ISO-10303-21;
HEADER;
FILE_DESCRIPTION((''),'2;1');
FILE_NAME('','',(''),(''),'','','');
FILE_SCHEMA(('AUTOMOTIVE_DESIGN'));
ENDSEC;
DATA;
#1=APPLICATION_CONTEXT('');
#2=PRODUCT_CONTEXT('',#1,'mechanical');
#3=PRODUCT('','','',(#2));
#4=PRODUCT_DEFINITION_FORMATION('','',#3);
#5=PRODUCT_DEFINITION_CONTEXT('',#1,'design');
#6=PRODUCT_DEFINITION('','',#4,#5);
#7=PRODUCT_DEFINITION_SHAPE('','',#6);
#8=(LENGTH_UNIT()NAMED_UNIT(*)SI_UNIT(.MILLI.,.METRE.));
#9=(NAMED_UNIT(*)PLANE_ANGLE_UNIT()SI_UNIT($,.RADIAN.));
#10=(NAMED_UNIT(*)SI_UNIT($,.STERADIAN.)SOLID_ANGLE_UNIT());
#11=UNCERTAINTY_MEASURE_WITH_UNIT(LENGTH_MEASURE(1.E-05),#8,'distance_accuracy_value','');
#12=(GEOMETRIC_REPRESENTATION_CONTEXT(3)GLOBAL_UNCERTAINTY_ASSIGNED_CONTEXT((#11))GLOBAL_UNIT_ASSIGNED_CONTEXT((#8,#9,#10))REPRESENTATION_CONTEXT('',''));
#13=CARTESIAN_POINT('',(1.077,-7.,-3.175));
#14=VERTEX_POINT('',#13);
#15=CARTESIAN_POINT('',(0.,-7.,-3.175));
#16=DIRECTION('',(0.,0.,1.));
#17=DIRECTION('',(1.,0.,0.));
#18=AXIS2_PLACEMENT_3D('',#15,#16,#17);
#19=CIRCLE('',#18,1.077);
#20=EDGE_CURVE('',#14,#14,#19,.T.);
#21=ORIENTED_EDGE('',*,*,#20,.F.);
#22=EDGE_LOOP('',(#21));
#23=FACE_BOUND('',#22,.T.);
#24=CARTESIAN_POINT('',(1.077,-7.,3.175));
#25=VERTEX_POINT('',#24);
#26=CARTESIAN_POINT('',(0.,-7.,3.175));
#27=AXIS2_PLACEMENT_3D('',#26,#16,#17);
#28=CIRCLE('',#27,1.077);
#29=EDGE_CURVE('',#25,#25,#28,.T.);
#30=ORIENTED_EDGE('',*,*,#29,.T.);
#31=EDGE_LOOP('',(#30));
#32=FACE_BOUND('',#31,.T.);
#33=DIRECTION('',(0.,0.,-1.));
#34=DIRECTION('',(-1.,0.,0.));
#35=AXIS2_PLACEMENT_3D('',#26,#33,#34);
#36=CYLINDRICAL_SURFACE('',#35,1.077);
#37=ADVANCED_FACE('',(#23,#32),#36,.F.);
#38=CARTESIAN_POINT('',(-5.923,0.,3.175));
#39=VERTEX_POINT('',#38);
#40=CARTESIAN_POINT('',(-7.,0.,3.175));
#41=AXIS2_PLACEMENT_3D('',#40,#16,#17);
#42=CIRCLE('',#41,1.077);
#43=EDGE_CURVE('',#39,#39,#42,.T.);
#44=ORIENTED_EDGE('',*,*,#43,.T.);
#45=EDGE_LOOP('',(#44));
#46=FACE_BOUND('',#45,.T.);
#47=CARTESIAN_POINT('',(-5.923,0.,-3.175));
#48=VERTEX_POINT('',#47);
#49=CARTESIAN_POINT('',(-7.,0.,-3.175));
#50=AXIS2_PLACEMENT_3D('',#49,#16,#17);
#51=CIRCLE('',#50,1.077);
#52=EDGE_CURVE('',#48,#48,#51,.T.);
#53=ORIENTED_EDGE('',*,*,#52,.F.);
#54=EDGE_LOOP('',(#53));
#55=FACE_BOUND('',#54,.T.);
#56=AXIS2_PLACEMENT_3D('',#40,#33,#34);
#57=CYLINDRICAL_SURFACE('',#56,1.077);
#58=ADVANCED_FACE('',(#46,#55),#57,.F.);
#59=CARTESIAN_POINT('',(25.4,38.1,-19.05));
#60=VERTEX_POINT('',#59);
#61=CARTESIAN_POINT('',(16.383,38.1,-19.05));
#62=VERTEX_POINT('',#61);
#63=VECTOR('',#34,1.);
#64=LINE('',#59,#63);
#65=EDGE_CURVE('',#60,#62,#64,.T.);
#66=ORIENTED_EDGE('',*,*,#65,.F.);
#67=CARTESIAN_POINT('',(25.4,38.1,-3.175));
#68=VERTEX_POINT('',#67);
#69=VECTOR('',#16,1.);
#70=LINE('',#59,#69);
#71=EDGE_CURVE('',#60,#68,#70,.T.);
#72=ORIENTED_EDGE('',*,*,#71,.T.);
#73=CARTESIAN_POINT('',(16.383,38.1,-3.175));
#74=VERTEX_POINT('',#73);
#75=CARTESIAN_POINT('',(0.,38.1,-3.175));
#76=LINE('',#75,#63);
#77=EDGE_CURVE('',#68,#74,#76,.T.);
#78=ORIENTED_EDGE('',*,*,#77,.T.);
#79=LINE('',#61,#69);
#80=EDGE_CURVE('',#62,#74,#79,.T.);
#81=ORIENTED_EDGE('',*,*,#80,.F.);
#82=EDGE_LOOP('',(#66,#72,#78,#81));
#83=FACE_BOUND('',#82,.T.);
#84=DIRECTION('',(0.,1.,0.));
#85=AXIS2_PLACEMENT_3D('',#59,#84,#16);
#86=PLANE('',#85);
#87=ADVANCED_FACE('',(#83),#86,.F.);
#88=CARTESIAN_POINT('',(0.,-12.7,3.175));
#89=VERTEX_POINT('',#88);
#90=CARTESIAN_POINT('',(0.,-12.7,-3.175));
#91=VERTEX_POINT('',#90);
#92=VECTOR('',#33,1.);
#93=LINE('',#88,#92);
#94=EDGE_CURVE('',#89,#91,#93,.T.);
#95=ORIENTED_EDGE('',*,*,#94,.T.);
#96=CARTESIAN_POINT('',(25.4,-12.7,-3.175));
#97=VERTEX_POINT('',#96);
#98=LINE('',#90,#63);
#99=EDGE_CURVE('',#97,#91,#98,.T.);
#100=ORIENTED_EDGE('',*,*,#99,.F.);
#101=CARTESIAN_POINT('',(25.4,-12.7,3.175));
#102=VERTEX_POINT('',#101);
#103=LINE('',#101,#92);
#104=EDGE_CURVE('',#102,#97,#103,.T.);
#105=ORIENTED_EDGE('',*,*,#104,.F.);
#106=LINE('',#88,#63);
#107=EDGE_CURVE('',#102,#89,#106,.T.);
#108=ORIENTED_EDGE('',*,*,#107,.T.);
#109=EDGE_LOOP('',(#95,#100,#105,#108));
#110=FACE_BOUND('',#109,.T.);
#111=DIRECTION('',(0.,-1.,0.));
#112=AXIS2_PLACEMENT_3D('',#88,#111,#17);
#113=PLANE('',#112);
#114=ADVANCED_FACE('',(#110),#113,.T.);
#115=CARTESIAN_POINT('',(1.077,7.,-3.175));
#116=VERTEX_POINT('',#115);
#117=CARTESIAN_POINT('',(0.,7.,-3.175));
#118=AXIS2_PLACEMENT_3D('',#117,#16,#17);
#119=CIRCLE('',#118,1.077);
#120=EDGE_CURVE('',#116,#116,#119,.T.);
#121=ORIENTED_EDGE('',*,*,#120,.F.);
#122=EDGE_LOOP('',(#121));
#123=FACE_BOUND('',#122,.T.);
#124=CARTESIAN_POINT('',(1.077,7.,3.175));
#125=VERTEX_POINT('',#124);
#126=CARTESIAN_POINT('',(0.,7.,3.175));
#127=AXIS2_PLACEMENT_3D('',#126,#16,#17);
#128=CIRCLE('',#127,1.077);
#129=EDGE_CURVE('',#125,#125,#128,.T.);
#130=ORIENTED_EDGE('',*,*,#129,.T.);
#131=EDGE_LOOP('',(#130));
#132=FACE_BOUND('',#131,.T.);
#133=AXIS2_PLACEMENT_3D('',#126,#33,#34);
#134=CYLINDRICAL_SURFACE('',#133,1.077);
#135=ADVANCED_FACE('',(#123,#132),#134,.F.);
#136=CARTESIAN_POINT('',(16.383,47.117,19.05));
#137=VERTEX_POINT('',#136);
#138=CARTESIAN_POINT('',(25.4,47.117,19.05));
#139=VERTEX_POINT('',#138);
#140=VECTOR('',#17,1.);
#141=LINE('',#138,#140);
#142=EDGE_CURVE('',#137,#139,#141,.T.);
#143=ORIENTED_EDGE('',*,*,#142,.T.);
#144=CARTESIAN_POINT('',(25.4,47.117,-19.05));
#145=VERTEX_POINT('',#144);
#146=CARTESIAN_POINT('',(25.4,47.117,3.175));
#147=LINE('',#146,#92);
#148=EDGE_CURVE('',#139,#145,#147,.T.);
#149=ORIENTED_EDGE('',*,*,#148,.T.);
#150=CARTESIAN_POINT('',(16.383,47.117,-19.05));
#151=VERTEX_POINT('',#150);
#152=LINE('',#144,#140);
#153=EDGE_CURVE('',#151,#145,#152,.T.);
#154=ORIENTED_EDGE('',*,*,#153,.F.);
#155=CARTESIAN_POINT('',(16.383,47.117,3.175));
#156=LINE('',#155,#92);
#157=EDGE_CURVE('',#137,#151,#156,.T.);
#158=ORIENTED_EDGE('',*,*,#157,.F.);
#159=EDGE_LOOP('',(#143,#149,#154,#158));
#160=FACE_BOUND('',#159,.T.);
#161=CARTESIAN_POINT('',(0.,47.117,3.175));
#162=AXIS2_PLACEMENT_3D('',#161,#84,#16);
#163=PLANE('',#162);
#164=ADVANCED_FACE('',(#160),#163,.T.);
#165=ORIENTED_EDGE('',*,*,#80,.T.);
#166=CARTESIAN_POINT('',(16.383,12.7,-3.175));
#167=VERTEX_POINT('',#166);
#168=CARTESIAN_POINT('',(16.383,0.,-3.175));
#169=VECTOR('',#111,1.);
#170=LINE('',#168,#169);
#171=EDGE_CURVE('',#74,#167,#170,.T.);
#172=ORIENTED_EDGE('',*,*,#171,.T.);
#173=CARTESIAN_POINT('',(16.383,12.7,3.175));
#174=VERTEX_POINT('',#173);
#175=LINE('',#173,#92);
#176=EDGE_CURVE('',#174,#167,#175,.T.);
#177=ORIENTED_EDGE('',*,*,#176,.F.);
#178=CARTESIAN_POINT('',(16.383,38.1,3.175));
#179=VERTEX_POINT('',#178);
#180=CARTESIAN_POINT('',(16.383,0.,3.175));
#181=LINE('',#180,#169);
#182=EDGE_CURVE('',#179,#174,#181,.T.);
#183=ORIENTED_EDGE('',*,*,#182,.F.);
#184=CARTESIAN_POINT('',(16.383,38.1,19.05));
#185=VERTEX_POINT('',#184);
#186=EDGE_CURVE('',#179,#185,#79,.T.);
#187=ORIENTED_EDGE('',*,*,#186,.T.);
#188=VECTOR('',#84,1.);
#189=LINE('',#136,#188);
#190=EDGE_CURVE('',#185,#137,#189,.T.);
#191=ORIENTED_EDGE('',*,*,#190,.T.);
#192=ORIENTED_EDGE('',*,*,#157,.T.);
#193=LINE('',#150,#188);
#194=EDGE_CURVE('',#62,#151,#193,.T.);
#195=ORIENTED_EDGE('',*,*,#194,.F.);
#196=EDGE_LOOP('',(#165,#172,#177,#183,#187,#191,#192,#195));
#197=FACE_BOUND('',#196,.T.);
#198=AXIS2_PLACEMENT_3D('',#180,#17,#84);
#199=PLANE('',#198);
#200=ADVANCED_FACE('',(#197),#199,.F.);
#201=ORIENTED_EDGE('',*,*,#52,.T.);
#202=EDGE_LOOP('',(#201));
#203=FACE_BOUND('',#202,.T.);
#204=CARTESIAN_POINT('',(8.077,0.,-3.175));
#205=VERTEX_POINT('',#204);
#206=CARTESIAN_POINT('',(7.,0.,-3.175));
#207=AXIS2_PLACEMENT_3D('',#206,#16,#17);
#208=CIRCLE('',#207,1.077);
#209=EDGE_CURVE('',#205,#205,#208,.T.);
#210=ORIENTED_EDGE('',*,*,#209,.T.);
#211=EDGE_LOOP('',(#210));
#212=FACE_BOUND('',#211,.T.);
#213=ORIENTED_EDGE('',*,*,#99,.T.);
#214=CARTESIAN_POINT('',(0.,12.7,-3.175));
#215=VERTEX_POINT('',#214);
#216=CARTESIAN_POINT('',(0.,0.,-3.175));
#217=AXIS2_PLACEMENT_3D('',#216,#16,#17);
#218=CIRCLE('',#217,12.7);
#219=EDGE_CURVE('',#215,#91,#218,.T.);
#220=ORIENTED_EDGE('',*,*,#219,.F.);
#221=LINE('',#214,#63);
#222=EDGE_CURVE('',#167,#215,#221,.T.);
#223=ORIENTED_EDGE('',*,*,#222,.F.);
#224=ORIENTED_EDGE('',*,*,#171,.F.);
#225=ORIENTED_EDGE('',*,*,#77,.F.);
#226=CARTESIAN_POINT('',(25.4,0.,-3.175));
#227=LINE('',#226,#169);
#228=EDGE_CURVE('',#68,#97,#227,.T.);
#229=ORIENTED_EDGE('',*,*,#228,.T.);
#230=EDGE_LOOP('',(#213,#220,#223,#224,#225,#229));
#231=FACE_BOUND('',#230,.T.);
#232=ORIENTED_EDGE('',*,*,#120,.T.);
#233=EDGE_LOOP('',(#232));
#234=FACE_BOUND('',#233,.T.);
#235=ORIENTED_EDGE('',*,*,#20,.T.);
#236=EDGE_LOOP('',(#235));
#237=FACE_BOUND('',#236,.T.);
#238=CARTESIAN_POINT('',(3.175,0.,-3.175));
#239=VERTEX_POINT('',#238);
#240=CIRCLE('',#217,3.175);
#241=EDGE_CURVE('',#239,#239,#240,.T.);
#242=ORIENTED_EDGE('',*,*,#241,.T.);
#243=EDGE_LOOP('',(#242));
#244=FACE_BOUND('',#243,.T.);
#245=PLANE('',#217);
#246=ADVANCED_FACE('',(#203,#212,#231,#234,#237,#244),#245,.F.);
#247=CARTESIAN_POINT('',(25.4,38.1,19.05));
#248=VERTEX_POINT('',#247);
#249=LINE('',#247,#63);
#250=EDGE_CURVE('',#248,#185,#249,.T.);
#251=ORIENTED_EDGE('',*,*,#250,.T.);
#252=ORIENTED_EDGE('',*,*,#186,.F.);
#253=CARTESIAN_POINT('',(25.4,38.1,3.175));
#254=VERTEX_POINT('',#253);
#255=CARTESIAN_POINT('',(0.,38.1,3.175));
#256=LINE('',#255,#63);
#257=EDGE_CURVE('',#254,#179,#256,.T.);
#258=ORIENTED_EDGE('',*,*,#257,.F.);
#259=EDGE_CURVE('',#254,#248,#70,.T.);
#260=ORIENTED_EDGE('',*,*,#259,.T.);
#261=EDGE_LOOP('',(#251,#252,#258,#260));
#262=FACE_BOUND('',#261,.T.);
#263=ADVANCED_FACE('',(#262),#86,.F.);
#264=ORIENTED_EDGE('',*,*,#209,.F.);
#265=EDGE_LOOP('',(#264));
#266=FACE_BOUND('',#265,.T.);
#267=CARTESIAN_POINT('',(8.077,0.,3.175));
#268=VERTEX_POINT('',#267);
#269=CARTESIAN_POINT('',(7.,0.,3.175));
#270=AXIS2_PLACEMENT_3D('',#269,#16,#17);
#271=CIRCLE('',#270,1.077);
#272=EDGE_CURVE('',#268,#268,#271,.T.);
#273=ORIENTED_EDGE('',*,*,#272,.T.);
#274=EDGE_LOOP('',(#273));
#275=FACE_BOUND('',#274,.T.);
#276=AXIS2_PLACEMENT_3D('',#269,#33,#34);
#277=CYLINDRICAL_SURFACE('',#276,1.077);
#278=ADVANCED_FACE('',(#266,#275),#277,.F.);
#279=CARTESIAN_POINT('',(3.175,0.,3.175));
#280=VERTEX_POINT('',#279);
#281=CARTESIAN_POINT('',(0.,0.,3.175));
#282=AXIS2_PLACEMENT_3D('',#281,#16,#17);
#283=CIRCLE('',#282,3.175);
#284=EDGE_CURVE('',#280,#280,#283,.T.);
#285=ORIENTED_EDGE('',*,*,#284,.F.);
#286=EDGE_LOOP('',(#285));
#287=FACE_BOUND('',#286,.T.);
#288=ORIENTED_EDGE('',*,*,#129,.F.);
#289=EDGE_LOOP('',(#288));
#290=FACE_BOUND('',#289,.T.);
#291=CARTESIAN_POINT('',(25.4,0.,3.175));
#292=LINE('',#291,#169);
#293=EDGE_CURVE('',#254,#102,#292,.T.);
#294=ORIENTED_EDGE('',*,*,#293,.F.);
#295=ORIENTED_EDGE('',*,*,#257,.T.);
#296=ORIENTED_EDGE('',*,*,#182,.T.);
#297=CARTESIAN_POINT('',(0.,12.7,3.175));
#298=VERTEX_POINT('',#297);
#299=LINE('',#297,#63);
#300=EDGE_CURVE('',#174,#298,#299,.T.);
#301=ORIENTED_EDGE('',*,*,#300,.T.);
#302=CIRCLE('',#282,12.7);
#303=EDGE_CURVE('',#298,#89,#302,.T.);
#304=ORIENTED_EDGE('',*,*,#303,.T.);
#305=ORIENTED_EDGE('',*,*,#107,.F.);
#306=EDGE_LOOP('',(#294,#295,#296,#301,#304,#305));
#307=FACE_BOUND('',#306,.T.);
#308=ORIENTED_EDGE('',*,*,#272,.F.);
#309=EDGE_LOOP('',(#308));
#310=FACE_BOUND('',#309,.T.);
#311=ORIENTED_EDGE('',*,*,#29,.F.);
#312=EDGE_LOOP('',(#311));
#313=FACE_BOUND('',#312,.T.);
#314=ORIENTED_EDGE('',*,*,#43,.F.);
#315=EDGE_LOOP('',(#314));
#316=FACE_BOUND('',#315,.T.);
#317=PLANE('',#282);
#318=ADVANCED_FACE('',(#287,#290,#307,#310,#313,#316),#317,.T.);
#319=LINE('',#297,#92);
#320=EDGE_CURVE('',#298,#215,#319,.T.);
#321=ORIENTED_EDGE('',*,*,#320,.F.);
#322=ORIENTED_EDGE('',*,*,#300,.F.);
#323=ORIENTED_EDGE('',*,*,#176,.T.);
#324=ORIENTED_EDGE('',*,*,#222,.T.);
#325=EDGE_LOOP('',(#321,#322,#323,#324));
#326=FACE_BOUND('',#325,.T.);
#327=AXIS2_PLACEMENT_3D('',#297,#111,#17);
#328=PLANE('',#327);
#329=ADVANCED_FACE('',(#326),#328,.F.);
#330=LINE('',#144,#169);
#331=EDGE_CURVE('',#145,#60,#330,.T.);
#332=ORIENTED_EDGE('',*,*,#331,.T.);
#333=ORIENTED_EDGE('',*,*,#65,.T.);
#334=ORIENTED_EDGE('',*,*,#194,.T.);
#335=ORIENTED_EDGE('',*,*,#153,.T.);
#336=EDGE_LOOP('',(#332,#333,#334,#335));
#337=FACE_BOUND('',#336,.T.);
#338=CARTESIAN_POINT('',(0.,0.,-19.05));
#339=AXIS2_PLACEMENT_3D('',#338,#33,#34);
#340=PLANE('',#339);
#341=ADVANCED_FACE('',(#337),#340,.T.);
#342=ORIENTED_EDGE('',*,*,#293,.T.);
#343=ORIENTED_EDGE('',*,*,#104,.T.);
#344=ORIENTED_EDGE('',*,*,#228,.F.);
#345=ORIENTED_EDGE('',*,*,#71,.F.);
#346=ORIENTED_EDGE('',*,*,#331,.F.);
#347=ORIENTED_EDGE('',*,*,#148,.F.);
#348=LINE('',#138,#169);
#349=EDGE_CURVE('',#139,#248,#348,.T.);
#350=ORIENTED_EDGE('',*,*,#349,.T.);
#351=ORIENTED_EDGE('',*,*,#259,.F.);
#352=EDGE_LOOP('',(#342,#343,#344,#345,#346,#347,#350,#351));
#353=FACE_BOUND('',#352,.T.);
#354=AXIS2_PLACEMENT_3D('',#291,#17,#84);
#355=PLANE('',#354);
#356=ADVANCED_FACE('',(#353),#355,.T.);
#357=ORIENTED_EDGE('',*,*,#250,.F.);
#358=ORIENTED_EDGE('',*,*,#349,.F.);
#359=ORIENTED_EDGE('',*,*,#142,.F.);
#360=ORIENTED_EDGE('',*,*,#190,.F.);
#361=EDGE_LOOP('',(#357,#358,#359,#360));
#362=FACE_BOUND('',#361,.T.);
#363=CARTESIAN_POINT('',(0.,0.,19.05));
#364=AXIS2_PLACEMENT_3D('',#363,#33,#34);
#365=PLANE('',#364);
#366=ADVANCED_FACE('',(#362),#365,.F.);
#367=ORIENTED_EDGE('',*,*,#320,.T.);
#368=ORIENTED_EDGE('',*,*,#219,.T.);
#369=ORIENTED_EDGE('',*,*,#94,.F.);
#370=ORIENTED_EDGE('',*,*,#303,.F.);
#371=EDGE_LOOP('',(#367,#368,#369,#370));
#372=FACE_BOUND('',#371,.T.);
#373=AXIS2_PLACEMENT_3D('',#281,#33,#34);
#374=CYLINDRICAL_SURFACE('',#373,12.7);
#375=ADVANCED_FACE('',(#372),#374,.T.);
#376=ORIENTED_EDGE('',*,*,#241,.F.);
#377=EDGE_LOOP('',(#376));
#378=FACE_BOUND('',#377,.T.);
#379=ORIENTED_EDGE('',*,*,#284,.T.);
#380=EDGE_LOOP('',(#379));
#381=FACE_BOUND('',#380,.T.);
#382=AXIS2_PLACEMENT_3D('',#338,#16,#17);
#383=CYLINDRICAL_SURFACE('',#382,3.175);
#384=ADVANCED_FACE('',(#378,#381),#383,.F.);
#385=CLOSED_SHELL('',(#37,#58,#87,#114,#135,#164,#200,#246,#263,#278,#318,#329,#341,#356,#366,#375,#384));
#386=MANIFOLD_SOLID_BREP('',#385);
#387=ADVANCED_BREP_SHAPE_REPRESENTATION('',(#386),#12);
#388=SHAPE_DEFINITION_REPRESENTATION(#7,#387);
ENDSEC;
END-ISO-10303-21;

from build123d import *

# Parameters (mm, degrees)
SKETCH2_R           = 12.7
SKETCH2_R_2         = 1.077000005
BOSS_EXTRUDE1_DEPTH = 3.175
SKETCH3_W           = 9.017
SKETCH3_H           = 9.017
BOSS_EXTRUDE2_DEPTH = 19.05
SKETCH4_R           = 3.175
CUT_EXTRUDE1_DEPTH  = 58.957935729


with BuildPart() as part:
    # Sketch2 → Boss-Extrude1 (new, symmetric)
    # profile 1 of 2: a face of its own
    with BuildSketch(Plane.XY):
        with BuildLine():
            Line((25.4, 47.117), (16.383, 47.117))
            Line((16.383, 47.117), (16.383, 12.7))
            Line((16.383, 12.7), (0, 12.7))
            ThreePointArc((0, 12.7), (8.980256121, 8.980256121), (12.7, 0))
            ThreePointArc((12.7, 0), (8.980256121, -8.980256121), (0, -12.7))
            Line((0, -12.7), (25.4, -12.7))
            Line((25.4, -12.7), (25.4, 47.117))
        make_face()
    # profile 2 of 2: a face of its own
    with BuildSketch(Plane.XY):
        Circle(SKETCH2_R)
        with Locations((0, 6.99999997)):
            Circle(SKETCH2_R_2, mode=Mode.SUBTRACT)
        with Locations((-6.99999997, 0)):
            Circle(SKETCH2_R_2, mode=Mode.SUBTRACT)
        with Locations((0, -6.99999997)):
            Circle(SKETCH2_R_2, mode=Mode.SUBTRACT)
        with Locations((6.99999997, 0)):
            Circle(SKETCH2_R_2, mode=Mode.SUBTRACT)
    extrude(amount=BOSS_EXTRUDE1_DEPTH, both=True)

    # Sketch3 → Boss-Extrude2 (add, symmetric)
    with BuildSketch(Plane(origin=(0, 0, 0), x_dir=(-1, 0, 0), z_dir=(0, 0, -1))):
        with Locations((-20.8915, 42.6085)):
            Rectangle(SKETCH3_W, SKETCH3_H)
    extrude(amount=BOSS_EXTRUDE2_DEPTH, both=True)

    # Sketch4 → Cut-Extrude1 (cut, through all)
    with BuildSketch(Plane.XY.offset(3.175)):
        Circle(SKETCH4_R)
    extrude(amount=-CUT_EXTRUDE1_DEPTH, mode=Mode.SUBTRACT)


solid = part.part
